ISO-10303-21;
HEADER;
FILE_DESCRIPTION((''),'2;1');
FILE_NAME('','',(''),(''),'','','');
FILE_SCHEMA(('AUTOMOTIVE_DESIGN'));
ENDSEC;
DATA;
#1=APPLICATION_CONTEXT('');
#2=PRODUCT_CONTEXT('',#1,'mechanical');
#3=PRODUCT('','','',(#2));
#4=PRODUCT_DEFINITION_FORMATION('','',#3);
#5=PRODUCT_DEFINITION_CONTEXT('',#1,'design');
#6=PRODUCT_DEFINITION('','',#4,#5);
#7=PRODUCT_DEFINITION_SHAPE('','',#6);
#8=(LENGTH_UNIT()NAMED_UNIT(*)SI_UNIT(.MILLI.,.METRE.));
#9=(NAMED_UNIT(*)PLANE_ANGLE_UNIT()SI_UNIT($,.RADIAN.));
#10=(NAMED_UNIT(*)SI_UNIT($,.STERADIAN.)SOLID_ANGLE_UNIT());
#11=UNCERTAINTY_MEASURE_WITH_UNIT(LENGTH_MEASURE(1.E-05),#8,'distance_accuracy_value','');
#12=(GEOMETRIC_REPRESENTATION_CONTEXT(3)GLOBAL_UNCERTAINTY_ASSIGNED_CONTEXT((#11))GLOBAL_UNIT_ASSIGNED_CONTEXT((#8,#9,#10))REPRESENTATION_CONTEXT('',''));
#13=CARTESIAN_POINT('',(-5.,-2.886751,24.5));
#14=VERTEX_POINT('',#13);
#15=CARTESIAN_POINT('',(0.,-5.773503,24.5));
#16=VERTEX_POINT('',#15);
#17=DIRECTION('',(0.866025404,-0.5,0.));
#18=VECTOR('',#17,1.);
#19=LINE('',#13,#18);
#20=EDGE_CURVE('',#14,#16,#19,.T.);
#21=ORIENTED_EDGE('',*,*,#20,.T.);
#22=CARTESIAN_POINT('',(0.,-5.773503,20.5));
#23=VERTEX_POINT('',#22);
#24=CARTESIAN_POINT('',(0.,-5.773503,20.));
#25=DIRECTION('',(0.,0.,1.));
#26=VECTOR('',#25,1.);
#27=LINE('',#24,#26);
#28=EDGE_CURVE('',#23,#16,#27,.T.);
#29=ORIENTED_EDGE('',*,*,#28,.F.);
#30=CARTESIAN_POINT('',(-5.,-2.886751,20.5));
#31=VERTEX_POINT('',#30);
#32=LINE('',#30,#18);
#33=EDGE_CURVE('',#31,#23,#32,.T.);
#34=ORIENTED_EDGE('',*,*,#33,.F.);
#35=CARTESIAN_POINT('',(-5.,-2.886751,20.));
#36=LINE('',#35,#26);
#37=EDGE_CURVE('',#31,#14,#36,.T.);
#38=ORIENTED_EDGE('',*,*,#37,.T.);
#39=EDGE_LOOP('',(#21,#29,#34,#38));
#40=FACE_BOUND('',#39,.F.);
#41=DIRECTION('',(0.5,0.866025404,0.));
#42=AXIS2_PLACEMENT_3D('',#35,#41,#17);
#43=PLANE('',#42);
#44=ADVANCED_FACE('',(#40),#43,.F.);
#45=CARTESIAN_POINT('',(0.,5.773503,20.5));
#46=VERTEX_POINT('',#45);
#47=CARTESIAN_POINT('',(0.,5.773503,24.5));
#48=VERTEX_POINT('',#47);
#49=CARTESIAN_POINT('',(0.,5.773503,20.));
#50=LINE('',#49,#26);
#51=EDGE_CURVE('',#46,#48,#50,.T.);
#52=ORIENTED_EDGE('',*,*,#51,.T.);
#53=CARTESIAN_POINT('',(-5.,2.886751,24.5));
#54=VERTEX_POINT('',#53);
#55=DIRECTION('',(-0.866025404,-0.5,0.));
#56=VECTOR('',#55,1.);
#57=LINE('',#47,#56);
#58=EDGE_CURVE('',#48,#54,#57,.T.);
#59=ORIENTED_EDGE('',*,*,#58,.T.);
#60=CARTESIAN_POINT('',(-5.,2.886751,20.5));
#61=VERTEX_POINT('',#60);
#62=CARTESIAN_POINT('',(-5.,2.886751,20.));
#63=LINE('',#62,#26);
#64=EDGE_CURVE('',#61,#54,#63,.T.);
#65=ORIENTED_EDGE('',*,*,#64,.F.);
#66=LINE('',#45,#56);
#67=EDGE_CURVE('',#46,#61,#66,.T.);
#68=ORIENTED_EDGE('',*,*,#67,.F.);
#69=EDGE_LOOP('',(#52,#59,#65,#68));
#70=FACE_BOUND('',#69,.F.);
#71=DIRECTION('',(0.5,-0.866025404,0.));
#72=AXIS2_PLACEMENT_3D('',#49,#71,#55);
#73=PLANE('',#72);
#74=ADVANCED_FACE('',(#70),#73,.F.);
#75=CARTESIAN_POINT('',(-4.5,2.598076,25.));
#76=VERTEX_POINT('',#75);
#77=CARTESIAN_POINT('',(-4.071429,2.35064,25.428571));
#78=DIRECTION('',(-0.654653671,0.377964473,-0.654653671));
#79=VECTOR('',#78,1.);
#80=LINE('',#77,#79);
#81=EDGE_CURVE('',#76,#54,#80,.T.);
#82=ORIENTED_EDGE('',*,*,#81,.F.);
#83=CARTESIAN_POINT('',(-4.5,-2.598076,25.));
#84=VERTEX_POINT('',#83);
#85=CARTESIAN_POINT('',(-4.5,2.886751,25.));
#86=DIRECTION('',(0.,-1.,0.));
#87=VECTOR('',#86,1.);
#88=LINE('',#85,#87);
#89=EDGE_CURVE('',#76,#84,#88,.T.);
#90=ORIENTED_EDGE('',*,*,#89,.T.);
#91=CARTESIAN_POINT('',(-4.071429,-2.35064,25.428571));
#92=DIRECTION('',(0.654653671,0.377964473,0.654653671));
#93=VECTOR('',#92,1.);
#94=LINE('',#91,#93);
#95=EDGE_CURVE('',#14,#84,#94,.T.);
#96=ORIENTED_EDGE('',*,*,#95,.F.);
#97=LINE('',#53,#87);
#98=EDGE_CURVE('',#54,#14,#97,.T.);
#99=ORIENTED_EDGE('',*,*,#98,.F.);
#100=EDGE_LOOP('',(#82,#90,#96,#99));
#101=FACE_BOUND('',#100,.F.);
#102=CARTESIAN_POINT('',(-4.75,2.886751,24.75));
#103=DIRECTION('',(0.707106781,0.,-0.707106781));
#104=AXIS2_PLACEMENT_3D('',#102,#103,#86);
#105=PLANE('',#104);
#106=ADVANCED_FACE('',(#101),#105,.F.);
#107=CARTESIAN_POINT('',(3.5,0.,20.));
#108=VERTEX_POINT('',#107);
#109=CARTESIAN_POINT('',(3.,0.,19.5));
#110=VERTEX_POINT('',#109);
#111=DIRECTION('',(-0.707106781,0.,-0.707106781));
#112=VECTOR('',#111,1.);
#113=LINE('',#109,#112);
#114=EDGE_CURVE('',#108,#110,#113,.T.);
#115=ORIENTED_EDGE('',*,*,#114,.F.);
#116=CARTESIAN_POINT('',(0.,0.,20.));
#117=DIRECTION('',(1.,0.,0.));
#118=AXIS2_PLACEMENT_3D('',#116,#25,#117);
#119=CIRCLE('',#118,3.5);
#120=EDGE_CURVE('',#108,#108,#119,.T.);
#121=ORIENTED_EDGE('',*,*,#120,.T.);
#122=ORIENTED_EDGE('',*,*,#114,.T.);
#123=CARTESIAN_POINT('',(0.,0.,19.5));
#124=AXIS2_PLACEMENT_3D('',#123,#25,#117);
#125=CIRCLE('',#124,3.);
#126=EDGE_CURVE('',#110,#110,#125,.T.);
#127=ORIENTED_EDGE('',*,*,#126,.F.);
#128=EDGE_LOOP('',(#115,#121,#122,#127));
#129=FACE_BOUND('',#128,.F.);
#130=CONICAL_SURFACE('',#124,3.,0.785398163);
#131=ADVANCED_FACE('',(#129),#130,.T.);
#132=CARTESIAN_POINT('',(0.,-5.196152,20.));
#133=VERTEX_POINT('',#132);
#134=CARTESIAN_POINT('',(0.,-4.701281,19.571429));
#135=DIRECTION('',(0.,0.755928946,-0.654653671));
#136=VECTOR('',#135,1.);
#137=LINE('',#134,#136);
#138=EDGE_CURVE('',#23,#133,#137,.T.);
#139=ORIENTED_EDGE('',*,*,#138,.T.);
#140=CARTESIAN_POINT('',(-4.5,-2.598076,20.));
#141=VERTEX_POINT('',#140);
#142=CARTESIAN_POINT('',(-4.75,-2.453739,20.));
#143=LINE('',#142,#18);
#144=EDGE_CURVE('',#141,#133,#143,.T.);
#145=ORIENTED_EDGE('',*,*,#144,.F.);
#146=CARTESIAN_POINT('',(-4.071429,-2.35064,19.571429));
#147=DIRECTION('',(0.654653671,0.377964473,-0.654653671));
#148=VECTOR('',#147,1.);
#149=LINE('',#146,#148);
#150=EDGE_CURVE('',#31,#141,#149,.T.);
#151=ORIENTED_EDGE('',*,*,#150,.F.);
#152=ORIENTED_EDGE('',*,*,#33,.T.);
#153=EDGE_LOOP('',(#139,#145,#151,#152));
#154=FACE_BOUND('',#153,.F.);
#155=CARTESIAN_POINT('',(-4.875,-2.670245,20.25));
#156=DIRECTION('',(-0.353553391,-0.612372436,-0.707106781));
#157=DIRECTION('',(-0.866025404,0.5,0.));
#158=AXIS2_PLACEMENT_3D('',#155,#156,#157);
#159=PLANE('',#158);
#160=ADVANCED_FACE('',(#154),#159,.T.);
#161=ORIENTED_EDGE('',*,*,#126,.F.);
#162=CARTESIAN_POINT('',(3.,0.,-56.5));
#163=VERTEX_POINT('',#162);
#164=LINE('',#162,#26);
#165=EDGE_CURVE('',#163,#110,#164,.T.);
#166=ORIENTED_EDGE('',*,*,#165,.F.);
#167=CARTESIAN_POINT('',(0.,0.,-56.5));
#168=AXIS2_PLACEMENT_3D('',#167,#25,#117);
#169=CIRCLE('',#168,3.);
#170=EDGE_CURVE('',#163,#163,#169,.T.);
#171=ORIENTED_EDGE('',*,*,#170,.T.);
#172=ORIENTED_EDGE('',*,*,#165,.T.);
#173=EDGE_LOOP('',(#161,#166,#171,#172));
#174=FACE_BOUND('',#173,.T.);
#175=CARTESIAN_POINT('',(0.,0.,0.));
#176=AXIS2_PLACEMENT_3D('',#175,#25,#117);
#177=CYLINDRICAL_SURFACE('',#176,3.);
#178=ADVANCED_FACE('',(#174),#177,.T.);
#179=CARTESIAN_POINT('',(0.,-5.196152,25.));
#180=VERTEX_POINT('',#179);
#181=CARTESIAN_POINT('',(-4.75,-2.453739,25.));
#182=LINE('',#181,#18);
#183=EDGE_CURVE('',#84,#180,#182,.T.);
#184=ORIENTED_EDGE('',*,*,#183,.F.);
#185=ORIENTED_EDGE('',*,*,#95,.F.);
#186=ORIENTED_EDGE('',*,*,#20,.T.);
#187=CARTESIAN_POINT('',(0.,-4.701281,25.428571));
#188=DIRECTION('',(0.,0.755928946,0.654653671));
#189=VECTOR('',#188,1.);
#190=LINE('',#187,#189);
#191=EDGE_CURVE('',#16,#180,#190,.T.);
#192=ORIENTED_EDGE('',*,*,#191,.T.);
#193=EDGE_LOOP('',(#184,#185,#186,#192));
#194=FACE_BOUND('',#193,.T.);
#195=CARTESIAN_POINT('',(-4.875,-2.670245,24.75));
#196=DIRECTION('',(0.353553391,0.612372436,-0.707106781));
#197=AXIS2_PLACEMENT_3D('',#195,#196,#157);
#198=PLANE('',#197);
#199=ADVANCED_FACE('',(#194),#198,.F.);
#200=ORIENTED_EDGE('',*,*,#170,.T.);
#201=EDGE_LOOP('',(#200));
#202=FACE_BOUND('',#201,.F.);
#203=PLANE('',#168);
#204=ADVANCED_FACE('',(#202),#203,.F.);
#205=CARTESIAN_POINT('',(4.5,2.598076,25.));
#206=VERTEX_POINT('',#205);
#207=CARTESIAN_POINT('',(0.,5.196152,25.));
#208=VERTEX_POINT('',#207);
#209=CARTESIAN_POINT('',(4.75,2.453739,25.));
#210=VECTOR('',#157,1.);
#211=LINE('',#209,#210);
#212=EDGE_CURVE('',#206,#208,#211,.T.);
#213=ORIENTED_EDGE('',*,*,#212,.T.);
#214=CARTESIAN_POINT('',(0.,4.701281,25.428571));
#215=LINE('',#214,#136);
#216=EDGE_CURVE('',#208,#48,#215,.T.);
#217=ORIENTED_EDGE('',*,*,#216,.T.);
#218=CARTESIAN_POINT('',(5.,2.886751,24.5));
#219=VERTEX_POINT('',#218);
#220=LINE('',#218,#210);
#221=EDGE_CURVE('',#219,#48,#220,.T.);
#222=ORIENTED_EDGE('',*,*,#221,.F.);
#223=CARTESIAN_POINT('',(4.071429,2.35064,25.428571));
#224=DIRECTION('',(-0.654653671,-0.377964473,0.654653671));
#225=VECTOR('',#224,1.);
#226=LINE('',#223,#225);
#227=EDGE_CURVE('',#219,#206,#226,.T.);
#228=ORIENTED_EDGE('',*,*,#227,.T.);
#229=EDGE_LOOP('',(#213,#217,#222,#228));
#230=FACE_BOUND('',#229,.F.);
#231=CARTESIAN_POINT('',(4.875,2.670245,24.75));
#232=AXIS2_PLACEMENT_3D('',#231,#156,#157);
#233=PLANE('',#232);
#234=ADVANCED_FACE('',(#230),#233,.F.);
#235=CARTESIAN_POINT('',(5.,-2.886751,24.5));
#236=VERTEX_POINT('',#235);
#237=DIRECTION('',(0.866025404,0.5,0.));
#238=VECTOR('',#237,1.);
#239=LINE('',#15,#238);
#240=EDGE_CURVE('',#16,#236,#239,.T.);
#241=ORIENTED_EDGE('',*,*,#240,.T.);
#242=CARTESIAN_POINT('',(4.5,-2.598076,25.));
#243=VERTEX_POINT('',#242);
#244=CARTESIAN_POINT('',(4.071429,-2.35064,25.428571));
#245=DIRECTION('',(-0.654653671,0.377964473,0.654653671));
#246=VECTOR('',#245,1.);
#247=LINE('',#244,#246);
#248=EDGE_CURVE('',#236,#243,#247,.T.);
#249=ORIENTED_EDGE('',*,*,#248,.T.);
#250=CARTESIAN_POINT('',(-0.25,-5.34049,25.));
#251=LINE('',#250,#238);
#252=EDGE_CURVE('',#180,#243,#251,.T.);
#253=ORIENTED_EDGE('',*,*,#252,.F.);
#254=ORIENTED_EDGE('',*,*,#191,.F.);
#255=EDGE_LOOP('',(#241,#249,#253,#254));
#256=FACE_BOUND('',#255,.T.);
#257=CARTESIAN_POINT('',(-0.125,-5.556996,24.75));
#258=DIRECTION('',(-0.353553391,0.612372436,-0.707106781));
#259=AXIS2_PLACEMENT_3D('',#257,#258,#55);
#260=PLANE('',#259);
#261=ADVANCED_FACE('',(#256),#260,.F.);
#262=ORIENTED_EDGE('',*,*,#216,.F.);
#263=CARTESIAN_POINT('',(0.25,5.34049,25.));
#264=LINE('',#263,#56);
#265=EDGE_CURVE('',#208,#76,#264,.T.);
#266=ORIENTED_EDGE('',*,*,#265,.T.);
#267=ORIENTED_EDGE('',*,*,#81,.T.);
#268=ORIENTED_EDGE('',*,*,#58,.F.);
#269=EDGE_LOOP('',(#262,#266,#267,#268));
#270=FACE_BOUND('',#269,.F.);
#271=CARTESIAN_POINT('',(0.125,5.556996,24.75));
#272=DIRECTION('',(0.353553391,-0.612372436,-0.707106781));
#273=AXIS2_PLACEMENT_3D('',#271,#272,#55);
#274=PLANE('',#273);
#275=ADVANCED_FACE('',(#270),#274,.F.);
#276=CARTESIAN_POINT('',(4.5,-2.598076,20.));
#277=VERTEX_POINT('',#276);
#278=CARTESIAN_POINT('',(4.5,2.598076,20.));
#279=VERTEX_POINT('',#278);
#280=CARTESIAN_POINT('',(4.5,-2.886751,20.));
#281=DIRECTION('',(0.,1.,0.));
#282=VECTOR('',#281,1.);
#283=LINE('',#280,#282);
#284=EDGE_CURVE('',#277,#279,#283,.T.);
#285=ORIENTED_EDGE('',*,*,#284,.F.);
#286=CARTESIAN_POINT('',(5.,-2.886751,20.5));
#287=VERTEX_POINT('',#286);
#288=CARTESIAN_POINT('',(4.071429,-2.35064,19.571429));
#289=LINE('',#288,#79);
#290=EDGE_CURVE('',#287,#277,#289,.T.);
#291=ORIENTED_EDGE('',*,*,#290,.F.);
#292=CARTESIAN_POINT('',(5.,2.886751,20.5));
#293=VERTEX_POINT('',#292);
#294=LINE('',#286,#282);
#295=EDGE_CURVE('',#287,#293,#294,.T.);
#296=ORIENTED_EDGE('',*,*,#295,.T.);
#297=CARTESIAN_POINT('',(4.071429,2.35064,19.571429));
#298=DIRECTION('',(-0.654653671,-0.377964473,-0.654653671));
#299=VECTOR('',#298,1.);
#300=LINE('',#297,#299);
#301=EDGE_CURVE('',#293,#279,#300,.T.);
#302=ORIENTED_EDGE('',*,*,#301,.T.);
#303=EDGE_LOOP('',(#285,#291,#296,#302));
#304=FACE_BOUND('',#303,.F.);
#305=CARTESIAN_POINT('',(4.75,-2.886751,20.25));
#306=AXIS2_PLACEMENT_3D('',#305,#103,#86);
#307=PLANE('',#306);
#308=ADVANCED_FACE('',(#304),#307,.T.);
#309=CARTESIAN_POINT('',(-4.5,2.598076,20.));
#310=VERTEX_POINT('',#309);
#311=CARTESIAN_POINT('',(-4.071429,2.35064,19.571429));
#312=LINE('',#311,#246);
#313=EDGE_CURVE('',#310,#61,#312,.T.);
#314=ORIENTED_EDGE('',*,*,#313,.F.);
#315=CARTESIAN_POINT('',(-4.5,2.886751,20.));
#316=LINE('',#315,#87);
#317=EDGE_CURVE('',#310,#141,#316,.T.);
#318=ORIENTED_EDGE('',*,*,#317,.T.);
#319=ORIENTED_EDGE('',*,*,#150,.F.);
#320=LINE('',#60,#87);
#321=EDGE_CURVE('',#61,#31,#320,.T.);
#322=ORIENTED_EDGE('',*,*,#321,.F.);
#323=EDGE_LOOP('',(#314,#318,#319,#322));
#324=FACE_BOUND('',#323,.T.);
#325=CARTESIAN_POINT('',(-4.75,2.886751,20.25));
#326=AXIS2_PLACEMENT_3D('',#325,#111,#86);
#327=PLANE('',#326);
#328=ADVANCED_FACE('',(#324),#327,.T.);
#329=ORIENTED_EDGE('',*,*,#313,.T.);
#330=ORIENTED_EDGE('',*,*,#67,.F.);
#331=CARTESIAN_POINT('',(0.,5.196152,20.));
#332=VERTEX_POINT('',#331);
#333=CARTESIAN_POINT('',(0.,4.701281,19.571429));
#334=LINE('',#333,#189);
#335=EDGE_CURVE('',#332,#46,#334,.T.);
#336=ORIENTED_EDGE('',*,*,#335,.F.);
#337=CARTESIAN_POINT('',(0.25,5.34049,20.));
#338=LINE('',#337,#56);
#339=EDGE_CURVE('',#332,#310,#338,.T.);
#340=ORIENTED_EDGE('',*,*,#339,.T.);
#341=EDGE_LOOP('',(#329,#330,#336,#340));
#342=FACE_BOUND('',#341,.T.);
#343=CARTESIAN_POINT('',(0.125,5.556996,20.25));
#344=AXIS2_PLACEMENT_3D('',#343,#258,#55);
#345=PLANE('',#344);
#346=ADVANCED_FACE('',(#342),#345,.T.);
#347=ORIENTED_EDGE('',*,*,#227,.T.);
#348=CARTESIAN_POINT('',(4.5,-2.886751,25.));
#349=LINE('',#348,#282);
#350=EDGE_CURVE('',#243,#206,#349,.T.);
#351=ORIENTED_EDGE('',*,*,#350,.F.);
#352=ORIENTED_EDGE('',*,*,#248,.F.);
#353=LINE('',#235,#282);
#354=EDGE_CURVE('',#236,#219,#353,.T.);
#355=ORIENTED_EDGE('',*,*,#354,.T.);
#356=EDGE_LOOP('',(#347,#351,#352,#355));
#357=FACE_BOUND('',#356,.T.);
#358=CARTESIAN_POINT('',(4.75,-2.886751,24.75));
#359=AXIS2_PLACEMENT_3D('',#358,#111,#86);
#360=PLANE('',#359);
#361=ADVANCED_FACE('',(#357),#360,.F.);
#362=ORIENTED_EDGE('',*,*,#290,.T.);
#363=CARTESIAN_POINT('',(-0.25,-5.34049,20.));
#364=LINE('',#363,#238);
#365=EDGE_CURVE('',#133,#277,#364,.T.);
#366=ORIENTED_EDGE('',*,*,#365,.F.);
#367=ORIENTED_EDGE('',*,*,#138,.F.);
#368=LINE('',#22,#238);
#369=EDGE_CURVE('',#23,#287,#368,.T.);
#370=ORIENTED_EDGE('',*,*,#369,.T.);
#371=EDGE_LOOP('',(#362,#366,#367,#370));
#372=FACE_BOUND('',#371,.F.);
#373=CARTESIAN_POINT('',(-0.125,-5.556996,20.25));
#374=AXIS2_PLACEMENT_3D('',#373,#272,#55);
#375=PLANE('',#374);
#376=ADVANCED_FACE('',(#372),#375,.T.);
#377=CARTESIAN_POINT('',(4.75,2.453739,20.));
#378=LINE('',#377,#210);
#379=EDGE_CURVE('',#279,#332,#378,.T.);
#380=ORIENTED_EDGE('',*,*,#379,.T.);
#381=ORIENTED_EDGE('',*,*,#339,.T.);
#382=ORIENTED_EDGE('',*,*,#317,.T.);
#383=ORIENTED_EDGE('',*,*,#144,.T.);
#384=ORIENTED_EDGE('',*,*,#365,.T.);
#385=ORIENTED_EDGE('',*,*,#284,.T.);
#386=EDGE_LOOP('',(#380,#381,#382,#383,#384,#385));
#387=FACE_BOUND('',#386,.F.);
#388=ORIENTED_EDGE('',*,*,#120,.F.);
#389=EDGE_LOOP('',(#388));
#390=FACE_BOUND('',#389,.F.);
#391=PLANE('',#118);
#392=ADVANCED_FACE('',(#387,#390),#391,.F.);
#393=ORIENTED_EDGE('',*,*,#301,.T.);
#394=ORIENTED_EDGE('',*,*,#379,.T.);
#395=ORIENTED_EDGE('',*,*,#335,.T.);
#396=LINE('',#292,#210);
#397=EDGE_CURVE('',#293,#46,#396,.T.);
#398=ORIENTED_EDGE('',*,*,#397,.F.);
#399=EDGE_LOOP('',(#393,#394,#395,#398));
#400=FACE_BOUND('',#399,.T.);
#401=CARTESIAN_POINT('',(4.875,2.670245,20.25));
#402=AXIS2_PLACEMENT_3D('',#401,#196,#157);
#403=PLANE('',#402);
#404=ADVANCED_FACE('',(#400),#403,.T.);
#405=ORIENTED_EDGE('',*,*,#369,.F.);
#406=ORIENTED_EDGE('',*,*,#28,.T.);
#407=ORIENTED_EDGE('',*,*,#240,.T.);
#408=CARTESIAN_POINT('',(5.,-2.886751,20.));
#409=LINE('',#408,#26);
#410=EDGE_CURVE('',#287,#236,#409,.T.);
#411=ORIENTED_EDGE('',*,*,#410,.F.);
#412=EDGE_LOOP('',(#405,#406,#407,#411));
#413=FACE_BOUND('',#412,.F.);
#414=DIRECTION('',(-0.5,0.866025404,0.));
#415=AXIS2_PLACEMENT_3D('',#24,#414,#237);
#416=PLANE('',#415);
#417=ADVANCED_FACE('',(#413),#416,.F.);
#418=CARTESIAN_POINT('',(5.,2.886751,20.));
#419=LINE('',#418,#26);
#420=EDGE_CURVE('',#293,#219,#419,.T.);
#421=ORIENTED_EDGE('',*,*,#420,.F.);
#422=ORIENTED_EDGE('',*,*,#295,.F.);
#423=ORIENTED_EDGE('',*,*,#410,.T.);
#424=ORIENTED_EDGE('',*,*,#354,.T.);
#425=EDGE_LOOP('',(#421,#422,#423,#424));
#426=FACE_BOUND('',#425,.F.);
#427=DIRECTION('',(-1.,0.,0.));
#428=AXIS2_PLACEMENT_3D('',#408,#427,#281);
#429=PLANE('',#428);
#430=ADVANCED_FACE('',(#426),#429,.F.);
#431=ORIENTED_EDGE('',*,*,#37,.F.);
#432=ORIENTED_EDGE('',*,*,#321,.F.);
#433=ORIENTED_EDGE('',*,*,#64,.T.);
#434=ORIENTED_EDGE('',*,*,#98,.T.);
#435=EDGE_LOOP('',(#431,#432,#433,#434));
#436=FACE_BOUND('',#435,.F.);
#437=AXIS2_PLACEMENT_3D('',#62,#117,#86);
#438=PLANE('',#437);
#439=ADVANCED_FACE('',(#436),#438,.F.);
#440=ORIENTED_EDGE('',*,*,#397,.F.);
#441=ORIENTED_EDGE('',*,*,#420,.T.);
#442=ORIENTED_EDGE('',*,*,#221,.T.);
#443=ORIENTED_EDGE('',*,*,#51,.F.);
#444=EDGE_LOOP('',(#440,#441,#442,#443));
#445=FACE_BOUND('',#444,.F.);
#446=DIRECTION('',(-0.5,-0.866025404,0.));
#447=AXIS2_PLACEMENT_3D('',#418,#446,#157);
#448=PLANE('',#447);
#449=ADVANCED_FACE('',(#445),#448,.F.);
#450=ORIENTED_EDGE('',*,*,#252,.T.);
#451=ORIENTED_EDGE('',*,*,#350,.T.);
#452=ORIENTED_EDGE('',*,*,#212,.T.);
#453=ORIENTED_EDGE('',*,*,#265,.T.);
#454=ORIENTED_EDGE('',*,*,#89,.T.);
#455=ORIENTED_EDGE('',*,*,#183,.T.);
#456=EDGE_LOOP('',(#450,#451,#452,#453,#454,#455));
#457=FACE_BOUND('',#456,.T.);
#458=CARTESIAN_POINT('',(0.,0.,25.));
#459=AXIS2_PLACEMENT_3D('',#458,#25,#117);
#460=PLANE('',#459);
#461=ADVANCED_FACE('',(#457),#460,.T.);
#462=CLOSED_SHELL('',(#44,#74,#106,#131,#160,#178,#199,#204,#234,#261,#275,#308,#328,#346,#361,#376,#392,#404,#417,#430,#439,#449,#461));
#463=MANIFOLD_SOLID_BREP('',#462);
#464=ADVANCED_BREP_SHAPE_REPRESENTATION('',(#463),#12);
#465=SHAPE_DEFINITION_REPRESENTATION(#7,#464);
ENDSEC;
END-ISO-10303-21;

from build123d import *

# Parameters (mm, degrees)
F0_R     = 3
F1_DEPTH = 20
F3_DEPTH = 5
F4_SIZE  = 0.5
F5_DEPTH = 56.5


with BuildPart() as f1:
    # F0 (on Top) → F1 (new body)
    with BuildSketch(Plane.XY):
        Circle(F0_R)
    extrude(amount=F1_DEPTH)

    # F2 (on face) → F3 (join)
    with BuildSketch(Plane.XY.offset(20)):
        Polygon((0, -5.7735026919), (5, -2.8867513459), (5, 2.8867513459), (0, 5.7735026919), (-5, 2.8867513459), (-5, -2.8867513459), align=None)
    extrude(amount=F3_DEPTH)

    # F4
    f4_edges = [f1.edges().sort_by_distance(p)[0] for p in [
        (-2.5, -4.330127, 25),
        (2.5, -4.330127, 25),
        (5, 0, 25),
        (2.5, 4.330127, 25),
        (-2.5, 4.330127, 25),
        (-5, 0, 25),
        (-2.5, -4.330127, 20),
        (-5, 0, 20),
        (2.5, -4.330127, 20),
        (-2.5, 4.330127, 20),
        (5, 0, 20),
        (2.5, 4.330127, 20),
        (-3, 0, 20),
    ]]
    chamfer(f4_edges, length=F4_SIZE)

    # F5 (add): a face of the model
    f5_faces = [f1.faces().sort_by_distance(p)[0] for p in [
        (0, 0, 0),
    ]]
    extrude(f5_faces, amount=F5_DEPTH)


solid = f1.part
